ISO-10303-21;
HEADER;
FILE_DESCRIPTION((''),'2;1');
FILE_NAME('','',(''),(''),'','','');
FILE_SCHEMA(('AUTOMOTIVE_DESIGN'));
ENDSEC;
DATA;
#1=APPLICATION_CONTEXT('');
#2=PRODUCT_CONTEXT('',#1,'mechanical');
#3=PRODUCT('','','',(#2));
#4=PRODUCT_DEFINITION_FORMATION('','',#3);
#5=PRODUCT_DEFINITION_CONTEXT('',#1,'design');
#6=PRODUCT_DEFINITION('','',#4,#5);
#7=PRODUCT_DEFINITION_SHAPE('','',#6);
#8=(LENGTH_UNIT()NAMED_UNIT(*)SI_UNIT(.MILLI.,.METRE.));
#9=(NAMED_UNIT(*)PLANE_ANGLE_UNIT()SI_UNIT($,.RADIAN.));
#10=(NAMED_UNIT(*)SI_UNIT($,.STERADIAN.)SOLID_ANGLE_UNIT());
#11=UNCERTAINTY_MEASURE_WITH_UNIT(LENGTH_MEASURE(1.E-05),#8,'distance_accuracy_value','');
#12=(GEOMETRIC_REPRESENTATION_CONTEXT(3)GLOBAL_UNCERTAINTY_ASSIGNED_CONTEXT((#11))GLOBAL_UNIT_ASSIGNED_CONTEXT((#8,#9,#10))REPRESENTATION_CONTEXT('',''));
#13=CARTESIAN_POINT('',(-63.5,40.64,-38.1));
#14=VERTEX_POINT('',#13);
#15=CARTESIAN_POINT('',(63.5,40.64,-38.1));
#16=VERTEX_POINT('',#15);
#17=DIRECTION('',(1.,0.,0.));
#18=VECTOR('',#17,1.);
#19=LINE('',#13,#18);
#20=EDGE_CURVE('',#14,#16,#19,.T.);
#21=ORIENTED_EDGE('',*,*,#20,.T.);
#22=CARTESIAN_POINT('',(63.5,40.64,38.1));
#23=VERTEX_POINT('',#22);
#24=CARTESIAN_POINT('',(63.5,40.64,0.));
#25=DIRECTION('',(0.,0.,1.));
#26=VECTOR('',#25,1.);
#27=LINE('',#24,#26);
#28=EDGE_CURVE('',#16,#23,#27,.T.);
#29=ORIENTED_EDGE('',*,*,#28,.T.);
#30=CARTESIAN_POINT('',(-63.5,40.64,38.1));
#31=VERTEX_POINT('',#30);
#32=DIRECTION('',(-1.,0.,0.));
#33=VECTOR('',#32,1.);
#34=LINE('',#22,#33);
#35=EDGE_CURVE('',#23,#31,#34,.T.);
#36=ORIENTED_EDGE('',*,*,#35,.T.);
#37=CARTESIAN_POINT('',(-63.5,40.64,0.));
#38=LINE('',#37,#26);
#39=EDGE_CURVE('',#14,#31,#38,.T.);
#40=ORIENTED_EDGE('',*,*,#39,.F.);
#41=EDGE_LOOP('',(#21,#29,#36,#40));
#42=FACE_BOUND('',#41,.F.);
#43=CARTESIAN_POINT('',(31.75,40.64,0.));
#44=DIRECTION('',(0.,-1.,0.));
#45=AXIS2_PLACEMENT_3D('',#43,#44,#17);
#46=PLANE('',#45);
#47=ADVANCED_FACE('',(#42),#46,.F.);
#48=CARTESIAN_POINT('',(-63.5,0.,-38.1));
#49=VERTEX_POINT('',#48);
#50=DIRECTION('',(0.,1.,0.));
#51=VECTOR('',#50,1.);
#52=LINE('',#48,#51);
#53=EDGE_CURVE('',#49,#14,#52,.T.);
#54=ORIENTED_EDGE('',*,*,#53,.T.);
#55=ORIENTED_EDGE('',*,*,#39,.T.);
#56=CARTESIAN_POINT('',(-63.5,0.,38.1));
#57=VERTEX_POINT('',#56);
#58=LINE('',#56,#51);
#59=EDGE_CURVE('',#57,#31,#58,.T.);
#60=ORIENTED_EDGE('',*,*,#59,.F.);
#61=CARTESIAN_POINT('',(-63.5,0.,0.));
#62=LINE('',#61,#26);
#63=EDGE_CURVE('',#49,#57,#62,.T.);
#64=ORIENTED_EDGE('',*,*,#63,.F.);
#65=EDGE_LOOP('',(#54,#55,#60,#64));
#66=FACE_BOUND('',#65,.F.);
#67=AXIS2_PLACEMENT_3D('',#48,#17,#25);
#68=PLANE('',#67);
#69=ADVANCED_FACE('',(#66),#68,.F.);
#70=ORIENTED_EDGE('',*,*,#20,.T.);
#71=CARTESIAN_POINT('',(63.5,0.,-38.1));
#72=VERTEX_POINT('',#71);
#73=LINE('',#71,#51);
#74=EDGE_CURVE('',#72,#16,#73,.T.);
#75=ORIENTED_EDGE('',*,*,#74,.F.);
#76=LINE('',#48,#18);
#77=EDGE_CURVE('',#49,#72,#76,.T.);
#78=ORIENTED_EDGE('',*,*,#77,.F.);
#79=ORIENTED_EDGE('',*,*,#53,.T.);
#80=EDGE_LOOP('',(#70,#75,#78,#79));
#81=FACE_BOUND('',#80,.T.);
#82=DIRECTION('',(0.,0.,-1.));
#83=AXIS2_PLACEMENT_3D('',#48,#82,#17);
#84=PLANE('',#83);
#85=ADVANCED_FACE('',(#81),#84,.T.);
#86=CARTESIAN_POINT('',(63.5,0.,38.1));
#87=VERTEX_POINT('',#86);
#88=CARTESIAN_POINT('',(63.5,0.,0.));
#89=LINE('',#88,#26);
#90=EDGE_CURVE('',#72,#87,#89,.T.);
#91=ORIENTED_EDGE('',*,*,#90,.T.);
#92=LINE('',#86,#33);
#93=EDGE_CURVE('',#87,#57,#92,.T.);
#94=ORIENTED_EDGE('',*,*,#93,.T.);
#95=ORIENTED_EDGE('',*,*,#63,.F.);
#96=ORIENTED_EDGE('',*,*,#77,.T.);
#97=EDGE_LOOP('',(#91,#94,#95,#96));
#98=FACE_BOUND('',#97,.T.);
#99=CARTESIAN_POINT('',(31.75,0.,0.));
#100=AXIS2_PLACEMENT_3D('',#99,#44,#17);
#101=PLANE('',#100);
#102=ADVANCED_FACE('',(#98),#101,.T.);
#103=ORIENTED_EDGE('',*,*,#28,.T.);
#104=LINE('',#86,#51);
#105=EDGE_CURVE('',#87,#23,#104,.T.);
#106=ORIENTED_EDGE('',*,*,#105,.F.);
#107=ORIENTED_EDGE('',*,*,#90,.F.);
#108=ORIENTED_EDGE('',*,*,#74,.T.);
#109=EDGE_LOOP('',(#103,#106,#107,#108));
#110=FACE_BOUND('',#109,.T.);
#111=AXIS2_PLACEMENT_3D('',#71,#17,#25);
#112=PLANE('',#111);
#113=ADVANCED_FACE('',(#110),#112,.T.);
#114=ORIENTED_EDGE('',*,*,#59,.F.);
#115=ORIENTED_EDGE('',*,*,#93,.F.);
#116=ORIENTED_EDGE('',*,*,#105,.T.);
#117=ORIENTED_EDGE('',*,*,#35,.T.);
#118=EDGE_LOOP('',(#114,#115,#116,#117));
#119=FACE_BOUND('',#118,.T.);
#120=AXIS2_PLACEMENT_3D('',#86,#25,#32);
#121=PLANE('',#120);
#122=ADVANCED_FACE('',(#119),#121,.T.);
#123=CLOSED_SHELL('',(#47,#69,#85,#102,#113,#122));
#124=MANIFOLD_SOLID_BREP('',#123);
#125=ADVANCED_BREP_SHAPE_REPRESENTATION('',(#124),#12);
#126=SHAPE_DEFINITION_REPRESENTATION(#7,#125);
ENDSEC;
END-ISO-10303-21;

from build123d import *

# Parameters (mm, degrees)
F0_W     = 63.5
F0_H     = 76.2
F1_DEPTH = 40.64


with BuildPart() as f1:
    # F0 (on Front) → F1 (new body)
    with BuildSketch(Plane.XZ):
        with Locations((31.75, 0)):
            Rectangle(F0_W, F0_H)
        with Locations((-31.75, 0)):
            Rectangle(F0_W, F0_H)
    extrude(amount=-F1_DEPTH)


solid = f1.part
